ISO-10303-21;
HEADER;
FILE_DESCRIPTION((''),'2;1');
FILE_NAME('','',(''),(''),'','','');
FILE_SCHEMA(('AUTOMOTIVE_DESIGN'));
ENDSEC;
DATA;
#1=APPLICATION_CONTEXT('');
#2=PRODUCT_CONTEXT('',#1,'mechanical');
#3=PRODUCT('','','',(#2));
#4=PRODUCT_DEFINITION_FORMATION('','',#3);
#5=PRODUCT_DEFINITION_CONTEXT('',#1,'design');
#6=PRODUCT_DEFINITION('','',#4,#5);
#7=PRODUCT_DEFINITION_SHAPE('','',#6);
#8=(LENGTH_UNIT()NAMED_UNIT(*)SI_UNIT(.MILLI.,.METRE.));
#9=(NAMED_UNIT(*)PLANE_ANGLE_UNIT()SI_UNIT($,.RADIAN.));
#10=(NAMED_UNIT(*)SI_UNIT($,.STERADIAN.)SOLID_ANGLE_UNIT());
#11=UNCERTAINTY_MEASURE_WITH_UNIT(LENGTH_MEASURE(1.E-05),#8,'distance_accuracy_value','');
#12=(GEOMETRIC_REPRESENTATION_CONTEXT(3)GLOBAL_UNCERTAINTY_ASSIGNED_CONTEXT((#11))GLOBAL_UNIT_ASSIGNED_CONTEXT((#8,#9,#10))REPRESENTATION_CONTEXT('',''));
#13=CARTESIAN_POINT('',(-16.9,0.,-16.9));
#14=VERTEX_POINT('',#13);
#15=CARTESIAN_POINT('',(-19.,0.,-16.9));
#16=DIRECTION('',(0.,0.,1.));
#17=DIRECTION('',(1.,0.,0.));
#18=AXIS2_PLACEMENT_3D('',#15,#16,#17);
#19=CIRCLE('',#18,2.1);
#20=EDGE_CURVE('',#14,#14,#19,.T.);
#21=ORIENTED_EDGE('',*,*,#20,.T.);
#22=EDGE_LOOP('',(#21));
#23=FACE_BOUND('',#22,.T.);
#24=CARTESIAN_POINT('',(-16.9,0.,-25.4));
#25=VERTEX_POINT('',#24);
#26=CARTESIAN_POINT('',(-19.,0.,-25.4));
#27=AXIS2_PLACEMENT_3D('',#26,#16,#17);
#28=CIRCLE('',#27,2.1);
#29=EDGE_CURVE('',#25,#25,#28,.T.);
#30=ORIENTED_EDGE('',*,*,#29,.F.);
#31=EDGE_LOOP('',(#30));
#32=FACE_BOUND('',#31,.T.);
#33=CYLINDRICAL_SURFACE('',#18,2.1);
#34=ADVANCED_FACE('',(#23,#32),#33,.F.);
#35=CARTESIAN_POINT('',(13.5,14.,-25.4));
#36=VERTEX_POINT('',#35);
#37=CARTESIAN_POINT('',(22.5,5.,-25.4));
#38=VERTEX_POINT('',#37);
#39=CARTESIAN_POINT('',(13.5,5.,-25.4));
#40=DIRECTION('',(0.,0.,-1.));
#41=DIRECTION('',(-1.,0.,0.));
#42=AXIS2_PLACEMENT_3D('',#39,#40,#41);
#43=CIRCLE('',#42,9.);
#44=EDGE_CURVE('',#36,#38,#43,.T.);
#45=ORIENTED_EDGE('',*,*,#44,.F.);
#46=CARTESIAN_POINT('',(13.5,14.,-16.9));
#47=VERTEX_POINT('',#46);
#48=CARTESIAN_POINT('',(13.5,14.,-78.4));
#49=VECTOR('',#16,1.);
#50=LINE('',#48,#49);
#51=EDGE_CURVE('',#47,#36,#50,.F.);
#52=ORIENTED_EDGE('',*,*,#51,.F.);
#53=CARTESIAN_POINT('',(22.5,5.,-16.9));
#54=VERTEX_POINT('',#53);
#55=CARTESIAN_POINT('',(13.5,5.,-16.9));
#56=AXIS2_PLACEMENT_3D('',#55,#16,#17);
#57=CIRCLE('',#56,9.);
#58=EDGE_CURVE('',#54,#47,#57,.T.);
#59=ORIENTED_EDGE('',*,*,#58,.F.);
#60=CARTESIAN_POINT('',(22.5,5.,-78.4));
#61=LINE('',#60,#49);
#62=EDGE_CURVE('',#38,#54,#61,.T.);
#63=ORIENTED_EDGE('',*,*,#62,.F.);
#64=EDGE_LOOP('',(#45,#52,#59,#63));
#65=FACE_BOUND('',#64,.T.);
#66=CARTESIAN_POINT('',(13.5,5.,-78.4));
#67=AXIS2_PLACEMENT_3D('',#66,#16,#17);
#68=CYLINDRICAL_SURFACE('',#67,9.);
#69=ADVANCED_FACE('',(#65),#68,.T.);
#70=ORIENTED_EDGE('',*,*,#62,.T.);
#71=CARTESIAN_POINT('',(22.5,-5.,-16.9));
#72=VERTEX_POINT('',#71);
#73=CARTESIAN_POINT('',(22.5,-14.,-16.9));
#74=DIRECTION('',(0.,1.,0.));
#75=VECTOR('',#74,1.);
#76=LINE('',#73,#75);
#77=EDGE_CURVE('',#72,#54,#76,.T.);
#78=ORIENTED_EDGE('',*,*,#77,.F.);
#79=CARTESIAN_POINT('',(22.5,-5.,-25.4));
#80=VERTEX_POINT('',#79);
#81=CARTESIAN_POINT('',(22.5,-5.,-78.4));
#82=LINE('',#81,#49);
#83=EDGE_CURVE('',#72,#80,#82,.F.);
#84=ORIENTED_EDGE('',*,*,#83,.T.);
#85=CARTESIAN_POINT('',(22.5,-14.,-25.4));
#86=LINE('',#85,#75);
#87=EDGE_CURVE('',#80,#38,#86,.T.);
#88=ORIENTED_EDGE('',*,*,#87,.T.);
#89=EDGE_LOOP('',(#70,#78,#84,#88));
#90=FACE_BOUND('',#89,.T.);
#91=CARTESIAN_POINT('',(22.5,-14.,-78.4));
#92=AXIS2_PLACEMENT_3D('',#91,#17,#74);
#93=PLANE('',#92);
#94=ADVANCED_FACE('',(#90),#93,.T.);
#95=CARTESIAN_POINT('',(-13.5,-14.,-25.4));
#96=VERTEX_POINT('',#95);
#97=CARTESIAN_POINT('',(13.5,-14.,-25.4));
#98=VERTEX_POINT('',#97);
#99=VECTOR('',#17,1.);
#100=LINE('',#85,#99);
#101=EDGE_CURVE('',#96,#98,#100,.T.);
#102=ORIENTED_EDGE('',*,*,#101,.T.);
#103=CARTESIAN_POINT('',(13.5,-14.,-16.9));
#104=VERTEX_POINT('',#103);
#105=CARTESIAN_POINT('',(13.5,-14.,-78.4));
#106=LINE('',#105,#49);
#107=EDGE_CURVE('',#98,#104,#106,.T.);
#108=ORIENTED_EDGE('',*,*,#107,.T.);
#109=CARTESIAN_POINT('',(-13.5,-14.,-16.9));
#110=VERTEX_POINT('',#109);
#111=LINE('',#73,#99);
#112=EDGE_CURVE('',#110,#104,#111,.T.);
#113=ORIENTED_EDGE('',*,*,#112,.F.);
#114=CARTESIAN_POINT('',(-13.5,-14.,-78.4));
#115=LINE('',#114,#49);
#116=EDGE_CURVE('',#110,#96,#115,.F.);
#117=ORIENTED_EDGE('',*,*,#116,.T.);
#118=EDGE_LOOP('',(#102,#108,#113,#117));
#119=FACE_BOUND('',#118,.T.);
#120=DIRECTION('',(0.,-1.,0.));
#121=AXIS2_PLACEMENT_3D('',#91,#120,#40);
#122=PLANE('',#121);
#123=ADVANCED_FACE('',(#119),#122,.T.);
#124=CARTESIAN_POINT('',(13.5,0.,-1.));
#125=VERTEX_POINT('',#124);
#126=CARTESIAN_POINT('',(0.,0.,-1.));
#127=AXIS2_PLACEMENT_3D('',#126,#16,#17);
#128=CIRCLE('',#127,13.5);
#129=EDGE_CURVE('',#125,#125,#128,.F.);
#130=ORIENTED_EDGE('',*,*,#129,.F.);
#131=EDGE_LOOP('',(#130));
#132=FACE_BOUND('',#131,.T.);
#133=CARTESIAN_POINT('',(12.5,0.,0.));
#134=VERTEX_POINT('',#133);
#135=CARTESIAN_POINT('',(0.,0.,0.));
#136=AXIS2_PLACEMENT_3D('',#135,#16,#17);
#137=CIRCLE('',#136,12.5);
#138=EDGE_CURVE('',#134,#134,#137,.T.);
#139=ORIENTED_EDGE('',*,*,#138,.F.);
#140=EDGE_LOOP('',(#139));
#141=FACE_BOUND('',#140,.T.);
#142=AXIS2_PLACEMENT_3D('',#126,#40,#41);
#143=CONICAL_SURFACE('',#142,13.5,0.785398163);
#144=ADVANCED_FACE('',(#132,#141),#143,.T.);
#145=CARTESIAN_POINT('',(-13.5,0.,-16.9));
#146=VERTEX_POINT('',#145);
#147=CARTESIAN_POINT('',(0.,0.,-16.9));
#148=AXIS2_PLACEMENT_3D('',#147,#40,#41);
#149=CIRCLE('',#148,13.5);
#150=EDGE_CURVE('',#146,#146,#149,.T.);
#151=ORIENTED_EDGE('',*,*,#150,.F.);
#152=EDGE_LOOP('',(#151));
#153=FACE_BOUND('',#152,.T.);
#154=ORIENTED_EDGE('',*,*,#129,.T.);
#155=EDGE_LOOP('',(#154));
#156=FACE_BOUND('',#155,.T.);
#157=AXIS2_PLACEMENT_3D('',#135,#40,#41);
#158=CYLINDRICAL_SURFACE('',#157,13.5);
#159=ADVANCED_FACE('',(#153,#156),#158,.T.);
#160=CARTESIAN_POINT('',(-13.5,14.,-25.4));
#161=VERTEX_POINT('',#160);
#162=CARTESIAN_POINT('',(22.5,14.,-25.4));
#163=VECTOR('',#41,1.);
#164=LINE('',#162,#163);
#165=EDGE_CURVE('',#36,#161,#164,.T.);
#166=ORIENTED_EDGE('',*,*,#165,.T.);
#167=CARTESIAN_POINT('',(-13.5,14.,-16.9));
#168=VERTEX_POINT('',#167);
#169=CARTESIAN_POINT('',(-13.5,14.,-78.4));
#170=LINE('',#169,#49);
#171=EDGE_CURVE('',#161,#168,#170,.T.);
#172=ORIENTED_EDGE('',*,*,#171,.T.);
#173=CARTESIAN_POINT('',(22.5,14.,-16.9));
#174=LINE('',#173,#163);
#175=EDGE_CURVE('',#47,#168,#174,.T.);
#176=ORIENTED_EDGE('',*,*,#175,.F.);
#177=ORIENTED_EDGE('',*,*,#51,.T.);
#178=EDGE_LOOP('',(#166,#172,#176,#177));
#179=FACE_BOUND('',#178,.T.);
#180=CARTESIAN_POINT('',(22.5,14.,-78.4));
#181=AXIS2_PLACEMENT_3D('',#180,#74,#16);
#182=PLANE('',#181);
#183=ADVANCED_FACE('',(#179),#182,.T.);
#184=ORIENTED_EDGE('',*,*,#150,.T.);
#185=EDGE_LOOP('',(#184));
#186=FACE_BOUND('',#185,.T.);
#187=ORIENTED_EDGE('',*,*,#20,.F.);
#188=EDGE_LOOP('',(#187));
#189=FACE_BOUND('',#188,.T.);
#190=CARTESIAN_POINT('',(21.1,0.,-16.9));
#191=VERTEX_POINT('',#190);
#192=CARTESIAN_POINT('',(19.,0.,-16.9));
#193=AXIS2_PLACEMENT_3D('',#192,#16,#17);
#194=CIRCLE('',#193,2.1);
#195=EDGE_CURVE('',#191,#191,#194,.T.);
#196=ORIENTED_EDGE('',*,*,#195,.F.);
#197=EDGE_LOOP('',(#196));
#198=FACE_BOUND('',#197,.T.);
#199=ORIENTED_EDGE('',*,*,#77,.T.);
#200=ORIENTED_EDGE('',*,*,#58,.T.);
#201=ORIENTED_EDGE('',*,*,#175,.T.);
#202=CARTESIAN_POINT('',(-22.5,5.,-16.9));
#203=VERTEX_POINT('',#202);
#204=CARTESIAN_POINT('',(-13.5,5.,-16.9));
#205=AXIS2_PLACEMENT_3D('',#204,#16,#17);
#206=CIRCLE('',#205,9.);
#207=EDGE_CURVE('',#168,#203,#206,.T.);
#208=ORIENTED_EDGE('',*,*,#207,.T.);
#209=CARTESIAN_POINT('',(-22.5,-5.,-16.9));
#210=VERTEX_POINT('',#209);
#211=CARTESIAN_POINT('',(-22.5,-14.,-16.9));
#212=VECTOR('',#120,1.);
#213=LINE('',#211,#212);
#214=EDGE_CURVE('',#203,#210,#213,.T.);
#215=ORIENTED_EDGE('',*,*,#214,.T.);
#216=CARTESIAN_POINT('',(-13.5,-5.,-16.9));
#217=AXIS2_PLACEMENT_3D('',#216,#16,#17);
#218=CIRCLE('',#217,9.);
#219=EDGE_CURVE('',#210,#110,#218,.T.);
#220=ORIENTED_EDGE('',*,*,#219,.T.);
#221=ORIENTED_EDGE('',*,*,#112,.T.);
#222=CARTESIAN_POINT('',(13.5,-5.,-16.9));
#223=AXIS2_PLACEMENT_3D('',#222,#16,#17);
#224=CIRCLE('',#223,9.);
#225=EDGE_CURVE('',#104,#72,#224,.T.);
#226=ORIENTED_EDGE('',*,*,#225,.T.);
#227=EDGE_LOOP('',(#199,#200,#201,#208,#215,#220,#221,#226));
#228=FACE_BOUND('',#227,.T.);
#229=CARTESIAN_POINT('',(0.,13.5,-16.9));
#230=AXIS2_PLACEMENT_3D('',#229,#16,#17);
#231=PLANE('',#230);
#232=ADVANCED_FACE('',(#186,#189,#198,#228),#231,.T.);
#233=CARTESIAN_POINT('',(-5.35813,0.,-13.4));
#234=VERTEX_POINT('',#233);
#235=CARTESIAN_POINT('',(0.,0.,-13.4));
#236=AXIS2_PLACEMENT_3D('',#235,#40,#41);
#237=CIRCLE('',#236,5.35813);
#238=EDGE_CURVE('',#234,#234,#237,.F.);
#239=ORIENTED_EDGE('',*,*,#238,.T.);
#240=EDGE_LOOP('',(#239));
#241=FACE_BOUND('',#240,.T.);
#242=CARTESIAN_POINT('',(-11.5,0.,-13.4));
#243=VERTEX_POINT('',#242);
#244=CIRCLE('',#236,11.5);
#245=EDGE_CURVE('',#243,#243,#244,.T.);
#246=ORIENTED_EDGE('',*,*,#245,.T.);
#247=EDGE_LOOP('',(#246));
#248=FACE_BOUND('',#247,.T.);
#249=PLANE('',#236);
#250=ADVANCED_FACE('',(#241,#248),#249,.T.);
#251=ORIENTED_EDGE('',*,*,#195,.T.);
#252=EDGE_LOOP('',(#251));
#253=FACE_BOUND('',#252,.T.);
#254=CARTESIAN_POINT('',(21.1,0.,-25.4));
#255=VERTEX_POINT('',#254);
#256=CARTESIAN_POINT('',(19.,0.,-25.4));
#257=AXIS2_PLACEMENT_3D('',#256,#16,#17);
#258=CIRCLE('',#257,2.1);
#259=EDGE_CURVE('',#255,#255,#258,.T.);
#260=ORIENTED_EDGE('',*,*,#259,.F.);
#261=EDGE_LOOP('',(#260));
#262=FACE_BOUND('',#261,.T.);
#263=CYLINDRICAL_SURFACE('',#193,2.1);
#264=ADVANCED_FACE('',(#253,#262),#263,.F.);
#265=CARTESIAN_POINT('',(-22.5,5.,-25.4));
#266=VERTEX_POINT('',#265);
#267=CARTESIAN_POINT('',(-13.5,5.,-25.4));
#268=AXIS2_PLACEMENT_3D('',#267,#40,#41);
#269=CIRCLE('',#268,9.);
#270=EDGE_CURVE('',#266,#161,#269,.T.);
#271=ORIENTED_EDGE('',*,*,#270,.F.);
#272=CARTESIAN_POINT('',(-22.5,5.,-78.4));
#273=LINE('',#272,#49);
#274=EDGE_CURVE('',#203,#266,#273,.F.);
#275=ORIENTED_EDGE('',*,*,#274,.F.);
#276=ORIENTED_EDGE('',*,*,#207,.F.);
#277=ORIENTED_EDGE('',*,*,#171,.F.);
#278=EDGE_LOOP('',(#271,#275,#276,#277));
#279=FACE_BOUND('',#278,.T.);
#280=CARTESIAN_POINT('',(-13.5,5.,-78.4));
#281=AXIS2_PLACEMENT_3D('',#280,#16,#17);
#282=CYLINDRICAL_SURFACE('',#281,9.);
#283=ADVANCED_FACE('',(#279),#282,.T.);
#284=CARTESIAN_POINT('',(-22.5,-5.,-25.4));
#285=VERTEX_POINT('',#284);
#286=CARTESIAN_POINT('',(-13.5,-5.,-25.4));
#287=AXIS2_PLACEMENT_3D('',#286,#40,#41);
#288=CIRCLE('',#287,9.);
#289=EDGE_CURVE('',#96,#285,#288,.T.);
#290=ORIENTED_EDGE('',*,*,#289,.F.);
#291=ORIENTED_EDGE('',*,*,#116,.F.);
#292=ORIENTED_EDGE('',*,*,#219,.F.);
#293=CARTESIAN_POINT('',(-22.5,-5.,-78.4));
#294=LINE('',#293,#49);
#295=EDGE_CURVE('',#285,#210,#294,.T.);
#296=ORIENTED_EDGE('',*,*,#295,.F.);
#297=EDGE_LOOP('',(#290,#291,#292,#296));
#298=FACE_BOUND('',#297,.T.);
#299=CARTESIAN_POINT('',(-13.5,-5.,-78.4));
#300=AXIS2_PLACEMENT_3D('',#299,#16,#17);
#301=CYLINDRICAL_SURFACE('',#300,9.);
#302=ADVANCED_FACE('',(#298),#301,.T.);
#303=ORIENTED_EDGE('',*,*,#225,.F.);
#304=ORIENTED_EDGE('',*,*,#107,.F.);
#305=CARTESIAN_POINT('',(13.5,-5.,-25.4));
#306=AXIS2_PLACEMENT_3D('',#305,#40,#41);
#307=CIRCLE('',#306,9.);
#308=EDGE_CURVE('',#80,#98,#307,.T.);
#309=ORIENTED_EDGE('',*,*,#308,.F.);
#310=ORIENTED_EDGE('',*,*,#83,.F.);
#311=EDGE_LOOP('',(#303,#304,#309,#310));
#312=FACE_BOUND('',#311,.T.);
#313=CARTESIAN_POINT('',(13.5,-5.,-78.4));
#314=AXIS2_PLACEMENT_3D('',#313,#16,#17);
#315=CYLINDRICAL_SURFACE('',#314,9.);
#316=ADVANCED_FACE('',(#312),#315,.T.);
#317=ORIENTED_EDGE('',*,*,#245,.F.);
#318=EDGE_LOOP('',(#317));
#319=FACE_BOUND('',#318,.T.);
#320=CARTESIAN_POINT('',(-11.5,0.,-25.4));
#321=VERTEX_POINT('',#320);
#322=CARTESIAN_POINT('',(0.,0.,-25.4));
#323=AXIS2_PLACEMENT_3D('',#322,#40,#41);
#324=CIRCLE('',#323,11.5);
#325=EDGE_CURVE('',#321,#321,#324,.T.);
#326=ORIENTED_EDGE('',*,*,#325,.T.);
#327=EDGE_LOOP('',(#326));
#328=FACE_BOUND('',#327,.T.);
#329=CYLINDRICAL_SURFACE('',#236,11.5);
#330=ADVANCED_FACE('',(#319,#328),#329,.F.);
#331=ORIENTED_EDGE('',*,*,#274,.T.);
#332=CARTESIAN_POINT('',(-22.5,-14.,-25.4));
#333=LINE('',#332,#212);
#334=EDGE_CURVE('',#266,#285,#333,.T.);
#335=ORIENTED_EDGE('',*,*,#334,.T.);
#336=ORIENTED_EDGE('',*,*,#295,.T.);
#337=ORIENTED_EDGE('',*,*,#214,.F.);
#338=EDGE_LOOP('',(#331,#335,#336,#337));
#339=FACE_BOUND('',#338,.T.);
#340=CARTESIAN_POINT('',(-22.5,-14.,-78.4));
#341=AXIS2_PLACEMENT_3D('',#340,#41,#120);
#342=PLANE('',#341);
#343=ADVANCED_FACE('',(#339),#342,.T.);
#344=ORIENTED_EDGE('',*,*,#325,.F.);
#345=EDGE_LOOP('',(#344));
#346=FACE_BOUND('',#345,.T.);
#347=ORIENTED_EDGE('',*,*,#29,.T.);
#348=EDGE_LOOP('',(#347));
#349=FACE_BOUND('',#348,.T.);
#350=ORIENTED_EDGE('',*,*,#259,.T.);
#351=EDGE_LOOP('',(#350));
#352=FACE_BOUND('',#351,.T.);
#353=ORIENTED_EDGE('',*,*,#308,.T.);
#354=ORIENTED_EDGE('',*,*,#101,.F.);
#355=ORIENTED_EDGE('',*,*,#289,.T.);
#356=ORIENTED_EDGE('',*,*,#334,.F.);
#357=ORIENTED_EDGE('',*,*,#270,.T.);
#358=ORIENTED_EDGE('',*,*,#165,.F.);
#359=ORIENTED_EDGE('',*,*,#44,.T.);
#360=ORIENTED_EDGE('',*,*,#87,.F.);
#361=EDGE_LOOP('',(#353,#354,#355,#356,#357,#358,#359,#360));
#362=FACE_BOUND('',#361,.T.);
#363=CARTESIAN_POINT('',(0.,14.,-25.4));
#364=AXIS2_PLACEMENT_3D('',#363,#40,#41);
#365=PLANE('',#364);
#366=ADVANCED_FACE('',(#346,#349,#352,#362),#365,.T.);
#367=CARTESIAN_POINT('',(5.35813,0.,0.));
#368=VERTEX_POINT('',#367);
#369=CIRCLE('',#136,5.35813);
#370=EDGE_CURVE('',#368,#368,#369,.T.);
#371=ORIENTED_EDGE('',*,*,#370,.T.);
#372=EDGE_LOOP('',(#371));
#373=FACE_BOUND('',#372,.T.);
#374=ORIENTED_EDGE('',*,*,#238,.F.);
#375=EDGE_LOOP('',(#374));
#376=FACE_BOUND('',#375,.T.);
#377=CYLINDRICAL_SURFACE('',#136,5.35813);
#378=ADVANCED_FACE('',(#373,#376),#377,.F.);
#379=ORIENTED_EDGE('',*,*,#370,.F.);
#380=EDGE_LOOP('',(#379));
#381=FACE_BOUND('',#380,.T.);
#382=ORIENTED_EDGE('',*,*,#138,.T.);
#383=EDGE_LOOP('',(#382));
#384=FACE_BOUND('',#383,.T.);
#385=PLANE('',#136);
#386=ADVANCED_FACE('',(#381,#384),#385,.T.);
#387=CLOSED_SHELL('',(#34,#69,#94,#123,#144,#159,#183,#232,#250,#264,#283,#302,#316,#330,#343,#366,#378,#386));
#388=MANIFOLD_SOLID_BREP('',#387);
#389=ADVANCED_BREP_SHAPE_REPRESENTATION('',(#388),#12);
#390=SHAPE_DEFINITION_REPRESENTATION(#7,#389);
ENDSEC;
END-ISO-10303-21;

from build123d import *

# Parameters (mm, degrees)
F_1_2_13_TAPPED_HOLE1_D     = 10.71626
BOSS_EXTRUDE1_START         = -8.5
SKETCH9_W                   = 45
SKETCH9_H                   = 28
SKETCH9_R                   = 13.5
BOSS_EXTRUDE1_DEPTH         = 8.5
TAP_DRILL_FOR_M5X0_8_TAP1_D = 4.2
FILLET1_R                   = 9
CHAMFER1_SIZE               = 1
SKETCH8_R                   = 11.5
CUT_EXTRUDE2_DEPTH          = 12


with BuildPart() as part:
    # Sketch2 → Revolve1 (revolve)
    with BuildSketch(Plane(origin=(0, 0, 0), x_dir=(0, 0, -1), z_dir=(1, 0, 0)), mode=Mode.PRIVATE) as revolve1_sk:
        Polygon((0, 13.5), (16.9, 13.5), (16.9, 14), (25.4, 14), (25.4, 0), (0, 0), align=None)
    revolve(revolve1_sk.sketch.rotate(Axis((0, 0, 0), (0, 0, 1)), 90), axis=Axis((0, 0, 0), (0, 0, 1)))

    # 1/2-13 Tapped Hole1 (through all)
    with Locations(Plane.XY):
        with Locations((0, 0)):
            Hole(F_1_2_13_TAPPED_HOLE1_D / 2)

    # Sketch9 → Boss-Extrude1 (add)
    with BuildSketch(Plane.XY.offset(-16.9).offset(BOSS_EXTRUDE1_START)):
        Rectangle(SKETCH9_W, SKETCH9_H)
        with Locations(Location((0, 0, 0), (0, 0, 180))):
            Circle(SKETCH9_R, mode=Mode.SUBTRACT)
    extrude(amount=BOSS_EXTRUDE1_DEPTH)

    # Tap Drill for M5x0.8 Tap1 (through all)
    with Locations(Plane.XY.offset(-16.9)):
        with Locations((-19, 0), (19, 0)):
            Hole(TAP_DRILL_FOR_M5X0_8_TAP1_D / 2)

    # Fillet1
    fillet1_edges = [part.edges().sort_by_distance(p)[0] for p in [
        (-22.5, 14, -21.15),
        (22.5, -14, -21.15),
        (-22.5, -14, -21.15),
        (22.5, 14, -21.15),
    ]]
    fillet(fillet1_edges, radius=FILLET1_R)

    # Chamfer1
    chamfer1_edges = [part.edges().sort_by_distance(p)[0] for p in [
        (13.5, 0, 0),
    ]]
    chamfer(chamfer1_edges, length=CHAMFER1_SIZE)

    # Sketch8 → Cut-Extrude2 (cut)
    with BuildSketch(Plane(origin=(0, 0, -25.4), x_dir=(-1, 0, 0), z_dir=(0, 0, -1))):
        Circle(SKETCH8_R)
    extrude(amount=-CUT_EXTRUDE2_DEPTH, mode=Mode.SUBTRACT)


solid = part.part
